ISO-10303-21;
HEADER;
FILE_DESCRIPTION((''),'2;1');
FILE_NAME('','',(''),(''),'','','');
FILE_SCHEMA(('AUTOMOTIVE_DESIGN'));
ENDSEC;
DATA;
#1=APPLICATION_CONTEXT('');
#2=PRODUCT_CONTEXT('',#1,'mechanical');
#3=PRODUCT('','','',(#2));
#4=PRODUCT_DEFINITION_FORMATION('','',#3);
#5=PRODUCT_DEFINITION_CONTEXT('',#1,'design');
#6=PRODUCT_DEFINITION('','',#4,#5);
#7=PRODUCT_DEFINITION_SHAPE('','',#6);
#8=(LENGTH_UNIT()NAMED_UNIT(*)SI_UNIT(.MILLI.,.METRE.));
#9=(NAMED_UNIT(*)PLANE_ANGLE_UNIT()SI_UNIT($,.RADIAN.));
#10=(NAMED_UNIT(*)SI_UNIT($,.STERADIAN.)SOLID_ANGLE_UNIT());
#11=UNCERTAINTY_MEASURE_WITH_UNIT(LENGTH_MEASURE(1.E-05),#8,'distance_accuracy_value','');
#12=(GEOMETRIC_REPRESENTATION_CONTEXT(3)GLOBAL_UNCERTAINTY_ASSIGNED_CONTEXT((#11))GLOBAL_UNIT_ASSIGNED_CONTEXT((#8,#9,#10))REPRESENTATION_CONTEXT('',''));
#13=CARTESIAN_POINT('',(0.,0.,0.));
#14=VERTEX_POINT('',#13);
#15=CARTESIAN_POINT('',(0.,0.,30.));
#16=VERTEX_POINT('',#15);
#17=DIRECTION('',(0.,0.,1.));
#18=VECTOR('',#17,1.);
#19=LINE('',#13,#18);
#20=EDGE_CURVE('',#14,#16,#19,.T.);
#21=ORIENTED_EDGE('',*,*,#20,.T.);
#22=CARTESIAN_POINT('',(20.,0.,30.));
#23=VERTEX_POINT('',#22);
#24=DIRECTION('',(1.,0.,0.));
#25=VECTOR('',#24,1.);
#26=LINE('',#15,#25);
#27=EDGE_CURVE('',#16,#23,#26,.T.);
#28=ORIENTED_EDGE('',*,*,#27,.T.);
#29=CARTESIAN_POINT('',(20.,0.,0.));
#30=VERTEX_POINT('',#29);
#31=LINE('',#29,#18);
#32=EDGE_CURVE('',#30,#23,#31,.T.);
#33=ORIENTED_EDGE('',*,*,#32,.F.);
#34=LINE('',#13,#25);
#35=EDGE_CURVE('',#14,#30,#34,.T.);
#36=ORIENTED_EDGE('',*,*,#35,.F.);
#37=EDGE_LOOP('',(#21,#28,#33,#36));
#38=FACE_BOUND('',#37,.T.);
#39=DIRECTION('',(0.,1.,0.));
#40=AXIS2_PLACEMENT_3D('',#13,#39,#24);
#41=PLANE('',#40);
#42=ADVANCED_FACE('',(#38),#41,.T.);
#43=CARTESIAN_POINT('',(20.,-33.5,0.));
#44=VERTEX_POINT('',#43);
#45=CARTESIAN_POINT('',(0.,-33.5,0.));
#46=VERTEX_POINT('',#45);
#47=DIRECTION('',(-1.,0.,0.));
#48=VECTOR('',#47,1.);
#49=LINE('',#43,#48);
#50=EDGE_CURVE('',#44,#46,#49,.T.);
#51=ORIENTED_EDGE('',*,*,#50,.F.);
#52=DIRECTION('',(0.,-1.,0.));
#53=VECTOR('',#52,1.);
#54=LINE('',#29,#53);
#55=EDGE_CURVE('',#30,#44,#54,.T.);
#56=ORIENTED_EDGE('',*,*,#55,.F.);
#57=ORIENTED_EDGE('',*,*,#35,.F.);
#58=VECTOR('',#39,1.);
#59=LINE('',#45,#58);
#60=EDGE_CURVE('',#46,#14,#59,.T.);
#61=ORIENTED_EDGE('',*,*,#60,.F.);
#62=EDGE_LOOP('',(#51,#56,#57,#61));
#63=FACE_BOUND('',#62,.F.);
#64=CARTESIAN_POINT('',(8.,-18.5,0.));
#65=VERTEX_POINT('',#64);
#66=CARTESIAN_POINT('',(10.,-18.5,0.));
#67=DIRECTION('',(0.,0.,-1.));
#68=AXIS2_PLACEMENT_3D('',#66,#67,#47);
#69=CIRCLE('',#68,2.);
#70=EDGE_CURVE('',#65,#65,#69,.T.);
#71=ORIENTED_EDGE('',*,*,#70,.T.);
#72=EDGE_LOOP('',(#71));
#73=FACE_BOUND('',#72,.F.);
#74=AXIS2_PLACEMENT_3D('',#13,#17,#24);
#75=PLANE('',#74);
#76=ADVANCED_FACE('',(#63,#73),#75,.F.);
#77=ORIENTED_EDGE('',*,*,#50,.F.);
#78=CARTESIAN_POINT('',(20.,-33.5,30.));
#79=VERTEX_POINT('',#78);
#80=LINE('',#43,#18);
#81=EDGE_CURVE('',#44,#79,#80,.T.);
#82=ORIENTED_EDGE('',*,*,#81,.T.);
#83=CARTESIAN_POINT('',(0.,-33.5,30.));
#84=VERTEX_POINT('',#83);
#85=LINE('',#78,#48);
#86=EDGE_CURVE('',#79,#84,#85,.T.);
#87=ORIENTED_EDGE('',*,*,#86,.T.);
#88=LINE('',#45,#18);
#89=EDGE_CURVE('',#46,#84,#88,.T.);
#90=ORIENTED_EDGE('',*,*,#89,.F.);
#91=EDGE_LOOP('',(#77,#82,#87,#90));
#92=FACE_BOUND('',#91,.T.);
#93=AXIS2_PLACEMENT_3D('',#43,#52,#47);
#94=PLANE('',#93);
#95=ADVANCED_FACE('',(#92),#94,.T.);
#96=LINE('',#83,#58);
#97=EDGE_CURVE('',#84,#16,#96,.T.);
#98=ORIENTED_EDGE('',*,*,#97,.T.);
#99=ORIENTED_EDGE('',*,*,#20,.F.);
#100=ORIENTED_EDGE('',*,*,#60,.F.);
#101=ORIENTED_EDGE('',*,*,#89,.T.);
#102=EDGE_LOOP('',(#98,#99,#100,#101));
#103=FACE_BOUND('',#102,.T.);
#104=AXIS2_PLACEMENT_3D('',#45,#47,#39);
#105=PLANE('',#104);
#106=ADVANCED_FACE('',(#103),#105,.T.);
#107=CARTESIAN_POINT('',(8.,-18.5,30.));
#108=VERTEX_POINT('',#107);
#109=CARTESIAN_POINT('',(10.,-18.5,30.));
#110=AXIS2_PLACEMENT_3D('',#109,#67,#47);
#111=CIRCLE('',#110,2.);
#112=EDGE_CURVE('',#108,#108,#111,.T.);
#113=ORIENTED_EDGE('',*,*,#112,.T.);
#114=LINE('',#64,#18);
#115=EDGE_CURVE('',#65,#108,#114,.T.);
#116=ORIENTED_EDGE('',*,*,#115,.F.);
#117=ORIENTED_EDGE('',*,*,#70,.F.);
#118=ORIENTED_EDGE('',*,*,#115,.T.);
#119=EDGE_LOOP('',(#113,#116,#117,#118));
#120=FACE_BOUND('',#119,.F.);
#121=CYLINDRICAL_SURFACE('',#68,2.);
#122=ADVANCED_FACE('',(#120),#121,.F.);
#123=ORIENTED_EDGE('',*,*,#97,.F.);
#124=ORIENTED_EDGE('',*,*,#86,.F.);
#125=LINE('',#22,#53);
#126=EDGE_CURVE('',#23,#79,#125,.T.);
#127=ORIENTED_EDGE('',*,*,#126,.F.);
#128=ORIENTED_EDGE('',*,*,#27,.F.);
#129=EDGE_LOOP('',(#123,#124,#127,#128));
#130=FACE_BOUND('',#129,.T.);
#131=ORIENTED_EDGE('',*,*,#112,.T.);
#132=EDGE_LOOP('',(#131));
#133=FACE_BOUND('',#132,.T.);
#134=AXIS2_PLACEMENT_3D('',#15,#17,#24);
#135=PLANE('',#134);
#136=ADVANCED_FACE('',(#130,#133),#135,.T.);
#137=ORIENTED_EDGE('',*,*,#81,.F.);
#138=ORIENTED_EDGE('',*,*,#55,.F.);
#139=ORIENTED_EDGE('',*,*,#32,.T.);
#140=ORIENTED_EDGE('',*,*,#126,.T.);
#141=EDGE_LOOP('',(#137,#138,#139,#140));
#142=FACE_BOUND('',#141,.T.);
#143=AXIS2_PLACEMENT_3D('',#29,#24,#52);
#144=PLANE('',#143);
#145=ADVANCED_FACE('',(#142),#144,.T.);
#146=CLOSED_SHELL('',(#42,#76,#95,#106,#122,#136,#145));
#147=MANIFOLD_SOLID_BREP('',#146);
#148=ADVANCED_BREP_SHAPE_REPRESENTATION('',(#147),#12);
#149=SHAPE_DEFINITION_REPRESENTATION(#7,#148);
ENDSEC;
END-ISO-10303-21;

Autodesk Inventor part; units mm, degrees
ref_plane "YZ Plane" through (0, 0, 0) normal (1, 0, 0) x (0, 1, 0)
ref_plane "XZ Plane" through (0, 0, 0) normal (0, 1, 0) x (-1, 0, 0)
ref_plane "XY Plane" through (0, 0, 0) normal (0, 0, 1) x (1, 0, 0)
sketch "스케치1" plane through (0, 0, 0) normal (0, 0, 1) x (1, 0, 0)
  line L0 (0, 0) -> (20, 0)
  line L1 (20, 0) -> (20, -33.5)
  line L2 (20, -33.5) -> (0, -33.5)
  line L3 (0, -33.5) -> (0, 0)
  dimension "d0" = 33.5
  dimension "d1" = 20
extrude "돌출1" add sketch "스케치1" along normal blind 30
sketch "스케치2" plane through (0, 0, 0) normal (0, 0, -1) x (-1, 0, 0)
  circle A0 centre (-10, -18.5) radius 2
  line L0 (0, 0) -> (0, -33.5) projected
  line L1 (-20, 0) -> (0, 0) projected
  dimension "d4" = 4
  dimension "d5" = 10
  dimension "d6" = 18.5
extrude "돌출2" cut sketch "스케치2" against normal blind 100
properties part number "linear_actuator"
